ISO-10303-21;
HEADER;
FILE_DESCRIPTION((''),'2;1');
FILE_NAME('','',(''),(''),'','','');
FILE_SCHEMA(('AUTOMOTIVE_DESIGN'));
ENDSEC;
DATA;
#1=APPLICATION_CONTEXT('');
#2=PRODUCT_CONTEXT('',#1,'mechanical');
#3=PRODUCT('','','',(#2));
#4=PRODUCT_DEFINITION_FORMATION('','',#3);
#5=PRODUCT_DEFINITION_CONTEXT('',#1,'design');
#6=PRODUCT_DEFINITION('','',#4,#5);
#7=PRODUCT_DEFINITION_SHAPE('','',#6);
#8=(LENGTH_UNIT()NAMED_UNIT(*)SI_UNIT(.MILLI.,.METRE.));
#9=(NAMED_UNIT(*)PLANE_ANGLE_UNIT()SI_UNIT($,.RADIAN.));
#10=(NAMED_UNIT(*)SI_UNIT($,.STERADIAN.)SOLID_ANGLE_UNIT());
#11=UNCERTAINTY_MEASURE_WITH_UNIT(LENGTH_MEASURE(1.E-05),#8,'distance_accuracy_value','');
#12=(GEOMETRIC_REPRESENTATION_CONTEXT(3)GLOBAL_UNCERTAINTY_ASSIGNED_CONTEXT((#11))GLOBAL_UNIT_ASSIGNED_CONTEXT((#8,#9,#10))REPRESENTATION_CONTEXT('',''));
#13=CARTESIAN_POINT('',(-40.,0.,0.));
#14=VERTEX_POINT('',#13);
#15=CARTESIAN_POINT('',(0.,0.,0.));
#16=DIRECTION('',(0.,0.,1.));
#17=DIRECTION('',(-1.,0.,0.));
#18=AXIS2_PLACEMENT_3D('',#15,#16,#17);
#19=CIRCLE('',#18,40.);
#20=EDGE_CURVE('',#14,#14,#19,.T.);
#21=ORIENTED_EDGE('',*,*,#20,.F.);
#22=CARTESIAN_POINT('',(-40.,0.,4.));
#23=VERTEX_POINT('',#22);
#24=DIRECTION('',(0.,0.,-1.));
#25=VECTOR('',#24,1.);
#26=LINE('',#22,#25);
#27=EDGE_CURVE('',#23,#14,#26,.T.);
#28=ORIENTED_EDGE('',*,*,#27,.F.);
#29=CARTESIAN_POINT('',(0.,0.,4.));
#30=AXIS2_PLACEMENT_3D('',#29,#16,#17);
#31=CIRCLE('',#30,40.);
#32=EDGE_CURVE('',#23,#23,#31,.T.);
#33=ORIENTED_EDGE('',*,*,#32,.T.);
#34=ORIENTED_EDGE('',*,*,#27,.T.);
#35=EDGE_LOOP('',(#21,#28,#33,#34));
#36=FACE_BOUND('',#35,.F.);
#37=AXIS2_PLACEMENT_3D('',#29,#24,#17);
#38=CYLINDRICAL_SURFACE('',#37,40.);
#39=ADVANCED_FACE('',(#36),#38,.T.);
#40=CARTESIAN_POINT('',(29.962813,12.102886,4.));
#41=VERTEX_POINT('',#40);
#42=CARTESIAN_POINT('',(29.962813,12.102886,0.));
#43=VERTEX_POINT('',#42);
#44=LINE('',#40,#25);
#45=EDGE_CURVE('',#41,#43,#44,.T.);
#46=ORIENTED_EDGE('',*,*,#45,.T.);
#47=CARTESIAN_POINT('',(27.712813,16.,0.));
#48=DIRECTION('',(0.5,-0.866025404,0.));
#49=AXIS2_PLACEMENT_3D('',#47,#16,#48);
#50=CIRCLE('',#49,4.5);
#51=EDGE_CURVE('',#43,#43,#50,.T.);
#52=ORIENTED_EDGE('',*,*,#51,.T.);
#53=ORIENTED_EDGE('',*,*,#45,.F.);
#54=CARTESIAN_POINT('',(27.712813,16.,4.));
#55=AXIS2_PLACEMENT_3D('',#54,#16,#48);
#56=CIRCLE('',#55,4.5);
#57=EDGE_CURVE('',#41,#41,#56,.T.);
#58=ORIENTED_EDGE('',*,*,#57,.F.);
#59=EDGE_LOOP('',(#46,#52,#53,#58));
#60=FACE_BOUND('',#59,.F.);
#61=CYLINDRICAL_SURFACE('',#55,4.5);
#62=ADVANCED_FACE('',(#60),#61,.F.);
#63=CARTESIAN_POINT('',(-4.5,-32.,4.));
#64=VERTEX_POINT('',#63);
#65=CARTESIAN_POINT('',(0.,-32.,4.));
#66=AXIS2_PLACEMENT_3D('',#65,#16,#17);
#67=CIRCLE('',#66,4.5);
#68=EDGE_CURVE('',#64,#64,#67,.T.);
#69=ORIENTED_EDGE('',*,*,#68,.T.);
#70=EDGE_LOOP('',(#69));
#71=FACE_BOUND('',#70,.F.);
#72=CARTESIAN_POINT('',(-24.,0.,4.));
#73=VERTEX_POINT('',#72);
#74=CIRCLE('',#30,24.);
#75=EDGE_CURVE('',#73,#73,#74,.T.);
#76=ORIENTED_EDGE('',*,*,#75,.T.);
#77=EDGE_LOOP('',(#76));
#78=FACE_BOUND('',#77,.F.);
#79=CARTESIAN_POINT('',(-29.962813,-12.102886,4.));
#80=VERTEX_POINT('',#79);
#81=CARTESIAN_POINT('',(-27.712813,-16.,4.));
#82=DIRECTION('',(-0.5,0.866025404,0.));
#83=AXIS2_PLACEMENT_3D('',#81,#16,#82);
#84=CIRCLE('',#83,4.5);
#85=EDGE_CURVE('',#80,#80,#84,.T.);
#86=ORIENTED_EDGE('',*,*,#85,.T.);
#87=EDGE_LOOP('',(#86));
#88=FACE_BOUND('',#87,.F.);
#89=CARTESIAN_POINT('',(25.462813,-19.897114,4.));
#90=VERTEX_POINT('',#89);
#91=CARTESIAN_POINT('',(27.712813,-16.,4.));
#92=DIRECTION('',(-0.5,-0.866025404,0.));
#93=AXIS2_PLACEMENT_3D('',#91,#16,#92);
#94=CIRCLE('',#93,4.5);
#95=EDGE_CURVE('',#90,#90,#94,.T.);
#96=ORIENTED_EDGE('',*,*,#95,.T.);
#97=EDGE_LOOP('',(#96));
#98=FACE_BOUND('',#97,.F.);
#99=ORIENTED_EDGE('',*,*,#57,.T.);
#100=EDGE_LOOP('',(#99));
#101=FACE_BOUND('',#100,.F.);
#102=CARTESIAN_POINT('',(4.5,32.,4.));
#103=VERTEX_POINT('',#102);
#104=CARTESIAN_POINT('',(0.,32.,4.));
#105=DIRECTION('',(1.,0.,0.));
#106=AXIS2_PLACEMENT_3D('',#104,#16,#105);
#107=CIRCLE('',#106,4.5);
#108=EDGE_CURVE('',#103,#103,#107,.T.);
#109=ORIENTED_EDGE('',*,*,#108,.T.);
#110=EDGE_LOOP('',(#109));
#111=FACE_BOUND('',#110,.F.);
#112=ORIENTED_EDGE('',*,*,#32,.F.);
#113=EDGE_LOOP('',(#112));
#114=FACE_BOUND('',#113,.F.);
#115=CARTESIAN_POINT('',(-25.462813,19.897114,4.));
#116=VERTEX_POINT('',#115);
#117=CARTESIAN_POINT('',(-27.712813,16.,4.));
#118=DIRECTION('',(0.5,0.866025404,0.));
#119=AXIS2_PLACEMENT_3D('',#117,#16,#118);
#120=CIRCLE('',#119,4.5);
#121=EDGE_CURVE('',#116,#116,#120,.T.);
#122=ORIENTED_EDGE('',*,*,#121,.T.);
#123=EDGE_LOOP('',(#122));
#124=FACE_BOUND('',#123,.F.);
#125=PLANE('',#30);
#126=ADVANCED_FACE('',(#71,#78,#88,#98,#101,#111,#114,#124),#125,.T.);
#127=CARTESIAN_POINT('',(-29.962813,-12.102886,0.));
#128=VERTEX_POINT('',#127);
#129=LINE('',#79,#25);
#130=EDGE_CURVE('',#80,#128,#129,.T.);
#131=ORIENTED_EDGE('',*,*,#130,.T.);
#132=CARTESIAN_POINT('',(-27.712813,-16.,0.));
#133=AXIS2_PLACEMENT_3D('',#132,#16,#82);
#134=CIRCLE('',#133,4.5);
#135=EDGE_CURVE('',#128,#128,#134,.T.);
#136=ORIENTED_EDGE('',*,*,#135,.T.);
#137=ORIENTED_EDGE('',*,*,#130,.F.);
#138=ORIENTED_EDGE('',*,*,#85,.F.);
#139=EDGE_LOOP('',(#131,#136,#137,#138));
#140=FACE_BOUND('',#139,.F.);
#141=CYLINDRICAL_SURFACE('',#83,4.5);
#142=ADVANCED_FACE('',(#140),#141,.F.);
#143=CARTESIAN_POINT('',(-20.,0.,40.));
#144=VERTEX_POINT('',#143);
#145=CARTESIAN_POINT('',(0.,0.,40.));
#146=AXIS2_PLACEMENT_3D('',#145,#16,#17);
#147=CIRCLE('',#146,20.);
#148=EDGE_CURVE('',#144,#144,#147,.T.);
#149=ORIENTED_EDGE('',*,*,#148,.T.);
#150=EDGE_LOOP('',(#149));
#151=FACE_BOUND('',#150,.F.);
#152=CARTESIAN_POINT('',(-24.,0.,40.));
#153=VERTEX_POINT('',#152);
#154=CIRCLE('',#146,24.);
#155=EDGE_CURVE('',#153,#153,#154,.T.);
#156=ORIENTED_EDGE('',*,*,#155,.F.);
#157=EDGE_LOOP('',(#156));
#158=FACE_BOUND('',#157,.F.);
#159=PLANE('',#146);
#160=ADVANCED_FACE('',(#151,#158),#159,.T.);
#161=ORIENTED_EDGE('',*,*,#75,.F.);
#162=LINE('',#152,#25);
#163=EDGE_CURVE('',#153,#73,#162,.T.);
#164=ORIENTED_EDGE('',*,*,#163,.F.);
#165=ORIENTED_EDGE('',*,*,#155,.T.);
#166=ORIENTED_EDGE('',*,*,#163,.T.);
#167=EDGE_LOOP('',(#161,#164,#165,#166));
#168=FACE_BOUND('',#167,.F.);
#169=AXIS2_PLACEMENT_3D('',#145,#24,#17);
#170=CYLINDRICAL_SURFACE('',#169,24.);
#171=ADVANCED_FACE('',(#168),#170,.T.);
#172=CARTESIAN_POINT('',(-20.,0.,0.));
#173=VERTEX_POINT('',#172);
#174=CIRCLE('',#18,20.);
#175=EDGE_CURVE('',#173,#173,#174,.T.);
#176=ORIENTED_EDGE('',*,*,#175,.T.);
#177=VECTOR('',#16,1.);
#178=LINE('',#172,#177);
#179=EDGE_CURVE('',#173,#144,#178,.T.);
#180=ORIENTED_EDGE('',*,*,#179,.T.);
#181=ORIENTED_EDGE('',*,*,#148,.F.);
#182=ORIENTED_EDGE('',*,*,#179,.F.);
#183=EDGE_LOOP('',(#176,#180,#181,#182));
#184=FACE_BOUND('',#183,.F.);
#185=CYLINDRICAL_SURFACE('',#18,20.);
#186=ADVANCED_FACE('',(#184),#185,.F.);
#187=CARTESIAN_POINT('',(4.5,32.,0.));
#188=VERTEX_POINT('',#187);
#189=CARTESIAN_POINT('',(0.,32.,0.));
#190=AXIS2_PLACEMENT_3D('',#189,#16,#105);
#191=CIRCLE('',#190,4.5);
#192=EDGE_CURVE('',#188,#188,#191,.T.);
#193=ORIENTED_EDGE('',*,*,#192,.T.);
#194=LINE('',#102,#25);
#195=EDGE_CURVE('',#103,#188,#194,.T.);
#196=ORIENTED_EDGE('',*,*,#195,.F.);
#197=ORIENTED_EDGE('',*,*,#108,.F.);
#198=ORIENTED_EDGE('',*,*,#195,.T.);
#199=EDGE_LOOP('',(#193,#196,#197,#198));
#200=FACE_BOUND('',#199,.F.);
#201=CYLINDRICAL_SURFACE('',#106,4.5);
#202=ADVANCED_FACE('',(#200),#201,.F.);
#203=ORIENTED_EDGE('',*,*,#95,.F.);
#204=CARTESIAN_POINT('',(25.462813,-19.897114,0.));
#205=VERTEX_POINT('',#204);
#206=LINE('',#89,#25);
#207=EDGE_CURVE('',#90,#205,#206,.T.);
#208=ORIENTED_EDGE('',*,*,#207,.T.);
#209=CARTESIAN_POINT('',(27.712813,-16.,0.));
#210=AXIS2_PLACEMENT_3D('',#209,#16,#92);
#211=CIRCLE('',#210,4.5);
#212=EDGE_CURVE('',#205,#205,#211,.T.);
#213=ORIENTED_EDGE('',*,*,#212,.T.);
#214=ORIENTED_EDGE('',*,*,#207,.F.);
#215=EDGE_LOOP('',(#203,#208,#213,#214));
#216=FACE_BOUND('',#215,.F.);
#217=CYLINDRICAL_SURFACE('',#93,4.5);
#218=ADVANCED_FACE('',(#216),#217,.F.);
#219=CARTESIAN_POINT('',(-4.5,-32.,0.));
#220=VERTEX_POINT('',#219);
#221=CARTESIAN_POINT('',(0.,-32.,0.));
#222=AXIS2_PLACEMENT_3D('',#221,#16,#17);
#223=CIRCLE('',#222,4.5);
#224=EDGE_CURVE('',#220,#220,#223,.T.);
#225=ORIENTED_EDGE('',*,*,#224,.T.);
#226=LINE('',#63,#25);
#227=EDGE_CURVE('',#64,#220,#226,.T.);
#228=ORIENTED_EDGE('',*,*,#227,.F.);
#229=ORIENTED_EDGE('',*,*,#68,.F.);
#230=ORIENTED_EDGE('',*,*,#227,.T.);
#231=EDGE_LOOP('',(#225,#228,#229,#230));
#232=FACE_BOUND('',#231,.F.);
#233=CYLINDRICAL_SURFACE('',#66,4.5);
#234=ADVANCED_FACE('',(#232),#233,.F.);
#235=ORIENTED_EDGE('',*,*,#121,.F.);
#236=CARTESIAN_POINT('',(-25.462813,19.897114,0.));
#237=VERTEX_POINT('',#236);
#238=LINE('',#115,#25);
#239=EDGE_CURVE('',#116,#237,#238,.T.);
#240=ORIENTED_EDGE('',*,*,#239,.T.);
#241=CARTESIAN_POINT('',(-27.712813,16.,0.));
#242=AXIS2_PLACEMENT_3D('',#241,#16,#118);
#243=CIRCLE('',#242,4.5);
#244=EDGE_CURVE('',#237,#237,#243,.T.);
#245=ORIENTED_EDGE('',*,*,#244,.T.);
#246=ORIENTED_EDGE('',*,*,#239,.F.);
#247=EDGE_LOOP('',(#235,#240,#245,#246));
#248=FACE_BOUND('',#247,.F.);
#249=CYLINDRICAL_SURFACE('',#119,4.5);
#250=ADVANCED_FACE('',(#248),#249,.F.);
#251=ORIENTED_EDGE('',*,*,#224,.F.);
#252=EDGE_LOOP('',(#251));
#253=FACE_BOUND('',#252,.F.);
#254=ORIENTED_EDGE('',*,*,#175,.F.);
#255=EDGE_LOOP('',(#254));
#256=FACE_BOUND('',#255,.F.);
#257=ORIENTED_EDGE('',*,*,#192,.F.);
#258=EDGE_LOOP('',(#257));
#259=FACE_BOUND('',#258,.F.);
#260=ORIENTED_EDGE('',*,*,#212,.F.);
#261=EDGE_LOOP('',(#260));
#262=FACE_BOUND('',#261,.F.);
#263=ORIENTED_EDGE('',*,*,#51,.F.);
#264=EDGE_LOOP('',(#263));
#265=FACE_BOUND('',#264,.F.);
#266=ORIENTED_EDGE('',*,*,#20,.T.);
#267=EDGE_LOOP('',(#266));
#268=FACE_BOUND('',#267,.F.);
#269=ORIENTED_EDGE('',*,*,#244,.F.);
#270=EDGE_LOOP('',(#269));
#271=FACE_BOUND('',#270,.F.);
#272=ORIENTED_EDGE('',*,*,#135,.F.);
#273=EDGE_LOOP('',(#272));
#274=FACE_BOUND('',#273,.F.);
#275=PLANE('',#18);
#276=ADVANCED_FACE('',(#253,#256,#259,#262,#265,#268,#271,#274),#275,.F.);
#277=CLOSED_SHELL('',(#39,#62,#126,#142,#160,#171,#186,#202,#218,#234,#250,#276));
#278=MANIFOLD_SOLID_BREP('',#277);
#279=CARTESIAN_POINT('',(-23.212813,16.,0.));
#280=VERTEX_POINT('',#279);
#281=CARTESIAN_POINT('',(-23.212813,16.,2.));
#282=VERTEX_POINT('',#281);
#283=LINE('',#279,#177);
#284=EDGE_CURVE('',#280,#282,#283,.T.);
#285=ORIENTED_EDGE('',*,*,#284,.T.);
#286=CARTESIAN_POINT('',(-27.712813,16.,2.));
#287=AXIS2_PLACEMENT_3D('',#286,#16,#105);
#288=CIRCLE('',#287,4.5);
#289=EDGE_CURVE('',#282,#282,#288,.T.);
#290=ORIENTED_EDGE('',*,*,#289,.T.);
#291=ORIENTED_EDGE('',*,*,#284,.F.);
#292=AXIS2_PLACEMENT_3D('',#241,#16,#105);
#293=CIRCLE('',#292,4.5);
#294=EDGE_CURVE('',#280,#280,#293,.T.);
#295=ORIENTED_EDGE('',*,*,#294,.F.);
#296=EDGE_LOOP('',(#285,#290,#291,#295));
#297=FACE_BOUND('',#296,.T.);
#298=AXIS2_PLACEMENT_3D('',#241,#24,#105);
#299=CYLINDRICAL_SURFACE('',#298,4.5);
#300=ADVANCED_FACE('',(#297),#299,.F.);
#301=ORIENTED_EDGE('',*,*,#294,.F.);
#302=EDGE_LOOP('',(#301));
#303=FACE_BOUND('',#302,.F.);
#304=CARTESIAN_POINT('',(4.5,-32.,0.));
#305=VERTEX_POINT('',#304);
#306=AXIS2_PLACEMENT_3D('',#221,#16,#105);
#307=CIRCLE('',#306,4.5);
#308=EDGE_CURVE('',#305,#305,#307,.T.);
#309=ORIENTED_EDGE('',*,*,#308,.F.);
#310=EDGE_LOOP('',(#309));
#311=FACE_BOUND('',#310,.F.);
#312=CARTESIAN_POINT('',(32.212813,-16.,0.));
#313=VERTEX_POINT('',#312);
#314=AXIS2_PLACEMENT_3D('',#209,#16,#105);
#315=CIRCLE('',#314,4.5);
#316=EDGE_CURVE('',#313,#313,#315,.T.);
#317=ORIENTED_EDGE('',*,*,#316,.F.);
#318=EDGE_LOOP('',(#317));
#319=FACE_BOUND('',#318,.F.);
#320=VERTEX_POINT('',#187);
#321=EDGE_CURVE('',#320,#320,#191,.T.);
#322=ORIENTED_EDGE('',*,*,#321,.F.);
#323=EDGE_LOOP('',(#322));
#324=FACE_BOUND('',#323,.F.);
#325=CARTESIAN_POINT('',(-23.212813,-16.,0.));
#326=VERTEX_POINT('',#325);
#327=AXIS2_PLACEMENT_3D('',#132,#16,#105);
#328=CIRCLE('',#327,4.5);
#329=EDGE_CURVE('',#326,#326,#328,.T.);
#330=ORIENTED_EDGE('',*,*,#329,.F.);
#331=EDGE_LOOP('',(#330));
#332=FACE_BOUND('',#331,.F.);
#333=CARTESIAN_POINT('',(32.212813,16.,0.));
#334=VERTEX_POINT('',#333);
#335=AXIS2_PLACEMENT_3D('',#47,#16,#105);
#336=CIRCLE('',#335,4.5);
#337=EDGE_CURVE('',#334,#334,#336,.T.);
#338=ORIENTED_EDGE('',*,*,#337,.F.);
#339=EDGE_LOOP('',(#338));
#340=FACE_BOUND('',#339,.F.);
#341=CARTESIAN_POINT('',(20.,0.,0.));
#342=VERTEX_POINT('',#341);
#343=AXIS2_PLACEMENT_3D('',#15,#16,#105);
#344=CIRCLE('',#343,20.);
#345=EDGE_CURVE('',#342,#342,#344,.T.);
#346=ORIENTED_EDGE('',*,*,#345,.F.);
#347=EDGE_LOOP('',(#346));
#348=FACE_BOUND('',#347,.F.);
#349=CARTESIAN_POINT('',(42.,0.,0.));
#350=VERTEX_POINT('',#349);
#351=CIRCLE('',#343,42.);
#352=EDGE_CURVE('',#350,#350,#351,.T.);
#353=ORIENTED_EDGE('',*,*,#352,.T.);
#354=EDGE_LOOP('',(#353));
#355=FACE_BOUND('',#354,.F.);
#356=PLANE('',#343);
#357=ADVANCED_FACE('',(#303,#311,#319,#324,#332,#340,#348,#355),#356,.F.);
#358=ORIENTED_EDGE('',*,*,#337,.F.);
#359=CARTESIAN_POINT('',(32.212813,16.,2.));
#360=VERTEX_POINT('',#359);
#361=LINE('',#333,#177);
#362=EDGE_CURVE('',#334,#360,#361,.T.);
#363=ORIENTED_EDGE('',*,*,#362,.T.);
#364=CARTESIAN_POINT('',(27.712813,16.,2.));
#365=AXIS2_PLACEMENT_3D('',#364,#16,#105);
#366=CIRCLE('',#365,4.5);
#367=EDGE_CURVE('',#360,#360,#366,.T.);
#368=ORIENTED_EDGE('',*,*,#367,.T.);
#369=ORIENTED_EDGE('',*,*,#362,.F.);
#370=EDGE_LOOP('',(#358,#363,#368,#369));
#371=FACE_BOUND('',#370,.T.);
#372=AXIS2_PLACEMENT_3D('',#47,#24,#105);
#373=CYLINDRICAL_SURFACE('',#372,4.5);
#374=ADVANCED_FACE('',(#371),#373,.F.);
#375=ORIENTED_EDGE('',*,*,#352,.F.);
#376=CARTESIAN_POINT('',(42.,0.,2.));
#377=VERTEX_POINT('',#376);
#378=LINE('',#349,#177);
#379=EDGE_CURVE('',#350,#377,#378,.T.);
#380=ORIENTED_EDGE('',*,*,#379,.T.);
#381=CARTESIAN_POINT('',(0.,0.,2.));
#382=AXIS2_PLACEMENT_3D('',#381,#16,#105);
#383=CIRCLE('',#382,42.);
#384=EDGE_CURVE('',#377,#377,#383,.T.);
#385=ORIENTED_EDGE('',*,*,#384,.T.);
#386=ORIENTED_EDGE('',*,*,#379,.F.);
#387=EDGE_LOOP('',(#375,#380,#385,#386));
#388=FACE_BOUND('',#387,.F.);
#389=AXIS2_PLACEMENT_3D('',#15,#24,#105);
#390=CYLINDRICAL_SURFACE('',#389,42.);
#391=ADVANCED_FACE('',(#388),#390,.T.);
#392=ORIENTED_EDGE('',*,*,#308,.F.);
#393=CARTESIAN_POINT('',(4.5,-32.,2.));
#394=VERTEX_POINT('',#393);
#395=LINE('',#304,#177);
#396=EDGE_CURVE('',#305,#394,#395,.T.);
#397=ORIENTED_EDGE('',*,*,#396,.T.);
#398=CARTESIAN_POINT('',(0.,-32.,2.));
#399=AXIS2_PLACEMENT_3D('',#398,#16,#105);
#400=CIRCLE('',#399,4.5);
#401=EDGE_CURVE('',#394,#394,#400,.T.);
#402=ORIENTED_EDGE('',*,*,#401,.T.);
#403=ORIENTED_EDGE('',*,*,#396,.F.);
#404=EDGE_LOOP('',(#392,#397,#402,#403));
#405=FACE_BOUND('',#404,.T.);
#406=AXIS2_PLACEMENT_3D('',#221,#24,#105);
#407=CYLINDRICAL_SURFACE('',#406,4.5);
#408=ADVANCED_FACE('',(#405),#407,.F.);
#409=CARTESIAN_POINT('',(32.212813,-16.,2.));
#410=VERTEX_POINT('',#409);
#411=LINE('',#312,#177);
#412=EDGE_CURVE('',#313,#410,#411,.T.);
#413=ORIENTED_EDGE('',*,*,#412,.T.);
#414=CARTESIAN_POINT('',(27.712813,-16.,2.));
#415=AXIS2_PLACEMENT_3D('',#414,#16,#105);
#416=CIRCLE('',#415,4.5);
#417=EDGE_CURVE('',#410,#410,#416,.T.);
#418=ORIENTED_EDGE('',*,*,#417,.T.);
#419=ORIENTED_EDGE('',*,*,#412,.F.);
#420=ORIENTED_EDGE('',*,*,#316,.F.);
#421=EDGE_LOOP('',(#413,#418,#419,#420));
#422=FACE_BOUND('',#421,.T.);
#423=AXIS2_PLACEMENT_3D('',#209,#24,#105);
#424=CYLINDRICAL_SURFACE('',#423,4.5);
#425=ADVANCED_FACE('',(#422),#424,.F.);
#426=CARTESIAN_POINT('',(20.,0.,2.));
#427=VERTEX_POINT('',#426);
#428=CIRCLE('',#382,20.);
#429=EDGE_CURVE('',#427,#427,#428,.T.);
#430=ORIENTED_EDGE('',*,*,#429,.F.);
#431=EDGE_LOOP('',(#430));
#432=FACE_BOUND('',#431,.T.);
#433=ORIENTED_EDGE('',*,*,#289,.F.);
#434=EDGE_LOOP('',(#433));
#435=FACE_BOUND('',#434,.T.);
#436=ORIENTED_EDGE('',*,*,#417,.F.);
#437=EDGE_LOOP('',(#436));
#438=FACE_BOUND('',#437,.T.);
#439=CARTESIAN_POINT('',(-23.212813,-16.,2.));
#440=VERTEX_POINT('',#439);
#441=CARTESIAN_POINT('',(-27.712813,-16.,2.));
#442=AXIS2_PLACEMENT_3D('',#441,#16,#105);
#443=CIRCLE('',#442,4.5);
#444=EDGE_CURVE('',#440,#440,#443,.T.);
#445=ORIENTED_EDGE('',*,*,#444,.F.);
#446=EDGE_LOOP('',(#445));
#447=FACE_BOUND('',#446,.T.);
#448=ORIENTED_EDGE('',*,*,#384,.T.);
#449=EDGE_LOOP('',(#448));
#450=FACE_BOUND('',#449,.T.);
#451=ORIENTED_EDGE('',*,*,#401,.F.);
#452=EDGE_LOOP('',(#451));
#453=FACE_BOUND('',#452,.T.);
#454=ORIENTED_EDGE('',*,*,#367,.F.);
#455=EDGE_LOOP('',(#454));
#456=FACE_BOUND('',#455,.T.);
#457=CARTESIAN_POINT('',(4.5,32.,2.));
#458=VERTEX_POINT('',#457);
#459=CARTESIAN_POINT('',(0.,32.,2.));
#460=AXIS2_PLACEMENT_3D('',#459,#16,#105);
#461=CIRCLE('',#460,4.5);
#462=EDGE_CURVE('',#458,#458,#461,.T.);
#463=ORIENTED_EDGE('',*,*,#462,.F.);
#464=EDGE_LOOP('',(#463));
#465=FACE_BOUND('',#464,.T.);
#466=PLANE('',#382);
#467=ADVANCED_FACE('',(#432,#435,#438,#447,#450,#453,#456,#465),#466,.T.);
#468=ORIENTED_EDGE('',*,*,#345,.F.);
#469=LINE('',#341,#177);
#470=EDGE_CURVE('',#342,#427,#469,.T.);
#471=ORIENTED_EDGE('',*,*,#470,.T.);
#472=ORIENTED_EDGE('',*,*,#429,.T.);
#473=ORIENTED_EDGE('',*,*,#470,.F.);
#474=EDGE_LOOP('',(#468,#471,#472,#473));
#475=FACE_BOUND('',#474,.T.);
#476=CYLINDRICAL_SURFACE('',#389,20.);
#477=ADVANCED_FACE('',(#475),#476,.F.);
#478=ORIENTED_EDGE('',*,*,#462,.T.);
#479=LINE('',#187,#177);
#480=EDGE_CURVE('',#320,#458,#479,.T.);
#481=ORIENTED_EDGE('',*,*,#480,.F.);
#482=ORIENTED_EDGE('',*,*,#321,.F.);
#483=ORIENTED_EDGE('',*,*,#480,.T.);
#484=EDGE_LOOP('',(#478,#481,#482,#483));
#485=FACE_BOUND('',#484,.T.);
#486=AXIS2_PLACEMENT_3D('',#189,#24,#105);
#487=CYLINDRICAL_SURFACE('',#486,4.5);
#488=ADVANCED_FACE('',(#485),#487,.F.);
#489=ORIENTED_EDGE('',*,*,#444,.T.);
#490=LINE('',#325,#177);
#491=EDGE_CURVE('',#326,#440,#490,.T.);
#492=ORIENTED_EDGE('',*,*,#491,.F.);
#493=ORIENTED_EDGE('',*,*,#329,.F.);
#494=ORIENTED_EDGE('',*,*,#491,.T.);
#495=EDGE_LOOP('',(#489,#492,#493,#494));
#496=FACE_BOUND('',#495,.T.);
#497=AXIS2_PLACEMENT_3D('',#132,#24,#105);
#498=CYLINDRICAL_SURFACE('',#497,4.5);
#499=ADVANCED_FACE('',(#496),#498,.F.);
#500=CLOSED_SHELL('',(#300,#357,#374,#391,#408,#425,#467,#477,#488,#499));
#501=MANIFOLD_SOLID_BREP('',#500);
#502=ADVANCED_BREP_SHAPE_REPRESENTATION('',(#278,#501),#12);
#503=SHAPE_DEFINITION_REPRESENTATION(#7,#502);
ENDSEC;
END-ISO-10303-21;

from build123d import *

# Parameters (mm, degrees)
SKETCH001_R        = 4.5
POCKET_DEPTH       = 4
POLARPATTERN_COUNT = 6
SKETCH002_R        = 42
SKETCH002_R_2      = 20
SKETCH002_R_3      = 4.5
PAD_DEPTH          = 2


with BuildPart() as pipebody:
    # Sketch → Revolution (revolve)
    with BuildSketch(Plane.XZ):
        Polygon((-40, 0), (-20, 0), (-20, 40), (-24, 40), (-24, 4), (-40, 4), align=None)
    revolve(axis=Axis((0, 0, 0), (0, 0, 1)))

    # Sketch001 (on Face5 of Revolution) → Pocket (cut)
    with BuildSketch(Plane(origin=(0, 0, 4), x_dir=(-1, 0, 0), z_dir=(0, 0, 1))):
        with Locations((0, 32)):
            Circle(SKETCH001_R)
    pocket = extrude(amount=-POCKET_DEPTH, mode=Mode.SUBTRACT)

    # PolarPattern: Pocket ×6 about axis
    polarpattern_axis = Axis((0, 0, 4), (0, 0, 1))
    for i in range(1, POLARPATTERN_COUNT):
        add(pocket.rotate(polarpattern_axis, i * 360 / POLARPATTERN_COUNT), mode=Mode.SUBTRACT)


with BuildPart() as gasket:
    # Sketch002 → Pad (new body)
    with BuildSketch(Plane.XY):
        Circle(SKETCH002_R)
        Circle(SKETCH002_R_2, mode=Mode.SUBTRACT)
        with Locations((0, 32)):
            Circle(SKETCH002_R_3, mode=Mode.SUBTRACT)
        with Locations((-27.712813, 16)):
            Circle(SKETCH002_R_3, mode=Mode.SUBTRACT)
        with Locations((-27.712813, -16)):
            Circle(SKETCH002_R_3, mode=Mode.SUBTRACT)
        with Locations((0, -32)):
            Circle(SKETCH002_R_3, mode=Mode.SUBTRACT)
        with Locations((27.712813, -16)):
            Circle(SKETCH002_R_3, mode=Mode.SUBTRACT)
        with Locations((27.712813, 16)):
            Circle(SKETCH002_R_3, mode=Mode.SUBTRACT)
    extrude(amount=PAD_DEPTH)


solid = Compound([pipebody.part, gasket.part])
